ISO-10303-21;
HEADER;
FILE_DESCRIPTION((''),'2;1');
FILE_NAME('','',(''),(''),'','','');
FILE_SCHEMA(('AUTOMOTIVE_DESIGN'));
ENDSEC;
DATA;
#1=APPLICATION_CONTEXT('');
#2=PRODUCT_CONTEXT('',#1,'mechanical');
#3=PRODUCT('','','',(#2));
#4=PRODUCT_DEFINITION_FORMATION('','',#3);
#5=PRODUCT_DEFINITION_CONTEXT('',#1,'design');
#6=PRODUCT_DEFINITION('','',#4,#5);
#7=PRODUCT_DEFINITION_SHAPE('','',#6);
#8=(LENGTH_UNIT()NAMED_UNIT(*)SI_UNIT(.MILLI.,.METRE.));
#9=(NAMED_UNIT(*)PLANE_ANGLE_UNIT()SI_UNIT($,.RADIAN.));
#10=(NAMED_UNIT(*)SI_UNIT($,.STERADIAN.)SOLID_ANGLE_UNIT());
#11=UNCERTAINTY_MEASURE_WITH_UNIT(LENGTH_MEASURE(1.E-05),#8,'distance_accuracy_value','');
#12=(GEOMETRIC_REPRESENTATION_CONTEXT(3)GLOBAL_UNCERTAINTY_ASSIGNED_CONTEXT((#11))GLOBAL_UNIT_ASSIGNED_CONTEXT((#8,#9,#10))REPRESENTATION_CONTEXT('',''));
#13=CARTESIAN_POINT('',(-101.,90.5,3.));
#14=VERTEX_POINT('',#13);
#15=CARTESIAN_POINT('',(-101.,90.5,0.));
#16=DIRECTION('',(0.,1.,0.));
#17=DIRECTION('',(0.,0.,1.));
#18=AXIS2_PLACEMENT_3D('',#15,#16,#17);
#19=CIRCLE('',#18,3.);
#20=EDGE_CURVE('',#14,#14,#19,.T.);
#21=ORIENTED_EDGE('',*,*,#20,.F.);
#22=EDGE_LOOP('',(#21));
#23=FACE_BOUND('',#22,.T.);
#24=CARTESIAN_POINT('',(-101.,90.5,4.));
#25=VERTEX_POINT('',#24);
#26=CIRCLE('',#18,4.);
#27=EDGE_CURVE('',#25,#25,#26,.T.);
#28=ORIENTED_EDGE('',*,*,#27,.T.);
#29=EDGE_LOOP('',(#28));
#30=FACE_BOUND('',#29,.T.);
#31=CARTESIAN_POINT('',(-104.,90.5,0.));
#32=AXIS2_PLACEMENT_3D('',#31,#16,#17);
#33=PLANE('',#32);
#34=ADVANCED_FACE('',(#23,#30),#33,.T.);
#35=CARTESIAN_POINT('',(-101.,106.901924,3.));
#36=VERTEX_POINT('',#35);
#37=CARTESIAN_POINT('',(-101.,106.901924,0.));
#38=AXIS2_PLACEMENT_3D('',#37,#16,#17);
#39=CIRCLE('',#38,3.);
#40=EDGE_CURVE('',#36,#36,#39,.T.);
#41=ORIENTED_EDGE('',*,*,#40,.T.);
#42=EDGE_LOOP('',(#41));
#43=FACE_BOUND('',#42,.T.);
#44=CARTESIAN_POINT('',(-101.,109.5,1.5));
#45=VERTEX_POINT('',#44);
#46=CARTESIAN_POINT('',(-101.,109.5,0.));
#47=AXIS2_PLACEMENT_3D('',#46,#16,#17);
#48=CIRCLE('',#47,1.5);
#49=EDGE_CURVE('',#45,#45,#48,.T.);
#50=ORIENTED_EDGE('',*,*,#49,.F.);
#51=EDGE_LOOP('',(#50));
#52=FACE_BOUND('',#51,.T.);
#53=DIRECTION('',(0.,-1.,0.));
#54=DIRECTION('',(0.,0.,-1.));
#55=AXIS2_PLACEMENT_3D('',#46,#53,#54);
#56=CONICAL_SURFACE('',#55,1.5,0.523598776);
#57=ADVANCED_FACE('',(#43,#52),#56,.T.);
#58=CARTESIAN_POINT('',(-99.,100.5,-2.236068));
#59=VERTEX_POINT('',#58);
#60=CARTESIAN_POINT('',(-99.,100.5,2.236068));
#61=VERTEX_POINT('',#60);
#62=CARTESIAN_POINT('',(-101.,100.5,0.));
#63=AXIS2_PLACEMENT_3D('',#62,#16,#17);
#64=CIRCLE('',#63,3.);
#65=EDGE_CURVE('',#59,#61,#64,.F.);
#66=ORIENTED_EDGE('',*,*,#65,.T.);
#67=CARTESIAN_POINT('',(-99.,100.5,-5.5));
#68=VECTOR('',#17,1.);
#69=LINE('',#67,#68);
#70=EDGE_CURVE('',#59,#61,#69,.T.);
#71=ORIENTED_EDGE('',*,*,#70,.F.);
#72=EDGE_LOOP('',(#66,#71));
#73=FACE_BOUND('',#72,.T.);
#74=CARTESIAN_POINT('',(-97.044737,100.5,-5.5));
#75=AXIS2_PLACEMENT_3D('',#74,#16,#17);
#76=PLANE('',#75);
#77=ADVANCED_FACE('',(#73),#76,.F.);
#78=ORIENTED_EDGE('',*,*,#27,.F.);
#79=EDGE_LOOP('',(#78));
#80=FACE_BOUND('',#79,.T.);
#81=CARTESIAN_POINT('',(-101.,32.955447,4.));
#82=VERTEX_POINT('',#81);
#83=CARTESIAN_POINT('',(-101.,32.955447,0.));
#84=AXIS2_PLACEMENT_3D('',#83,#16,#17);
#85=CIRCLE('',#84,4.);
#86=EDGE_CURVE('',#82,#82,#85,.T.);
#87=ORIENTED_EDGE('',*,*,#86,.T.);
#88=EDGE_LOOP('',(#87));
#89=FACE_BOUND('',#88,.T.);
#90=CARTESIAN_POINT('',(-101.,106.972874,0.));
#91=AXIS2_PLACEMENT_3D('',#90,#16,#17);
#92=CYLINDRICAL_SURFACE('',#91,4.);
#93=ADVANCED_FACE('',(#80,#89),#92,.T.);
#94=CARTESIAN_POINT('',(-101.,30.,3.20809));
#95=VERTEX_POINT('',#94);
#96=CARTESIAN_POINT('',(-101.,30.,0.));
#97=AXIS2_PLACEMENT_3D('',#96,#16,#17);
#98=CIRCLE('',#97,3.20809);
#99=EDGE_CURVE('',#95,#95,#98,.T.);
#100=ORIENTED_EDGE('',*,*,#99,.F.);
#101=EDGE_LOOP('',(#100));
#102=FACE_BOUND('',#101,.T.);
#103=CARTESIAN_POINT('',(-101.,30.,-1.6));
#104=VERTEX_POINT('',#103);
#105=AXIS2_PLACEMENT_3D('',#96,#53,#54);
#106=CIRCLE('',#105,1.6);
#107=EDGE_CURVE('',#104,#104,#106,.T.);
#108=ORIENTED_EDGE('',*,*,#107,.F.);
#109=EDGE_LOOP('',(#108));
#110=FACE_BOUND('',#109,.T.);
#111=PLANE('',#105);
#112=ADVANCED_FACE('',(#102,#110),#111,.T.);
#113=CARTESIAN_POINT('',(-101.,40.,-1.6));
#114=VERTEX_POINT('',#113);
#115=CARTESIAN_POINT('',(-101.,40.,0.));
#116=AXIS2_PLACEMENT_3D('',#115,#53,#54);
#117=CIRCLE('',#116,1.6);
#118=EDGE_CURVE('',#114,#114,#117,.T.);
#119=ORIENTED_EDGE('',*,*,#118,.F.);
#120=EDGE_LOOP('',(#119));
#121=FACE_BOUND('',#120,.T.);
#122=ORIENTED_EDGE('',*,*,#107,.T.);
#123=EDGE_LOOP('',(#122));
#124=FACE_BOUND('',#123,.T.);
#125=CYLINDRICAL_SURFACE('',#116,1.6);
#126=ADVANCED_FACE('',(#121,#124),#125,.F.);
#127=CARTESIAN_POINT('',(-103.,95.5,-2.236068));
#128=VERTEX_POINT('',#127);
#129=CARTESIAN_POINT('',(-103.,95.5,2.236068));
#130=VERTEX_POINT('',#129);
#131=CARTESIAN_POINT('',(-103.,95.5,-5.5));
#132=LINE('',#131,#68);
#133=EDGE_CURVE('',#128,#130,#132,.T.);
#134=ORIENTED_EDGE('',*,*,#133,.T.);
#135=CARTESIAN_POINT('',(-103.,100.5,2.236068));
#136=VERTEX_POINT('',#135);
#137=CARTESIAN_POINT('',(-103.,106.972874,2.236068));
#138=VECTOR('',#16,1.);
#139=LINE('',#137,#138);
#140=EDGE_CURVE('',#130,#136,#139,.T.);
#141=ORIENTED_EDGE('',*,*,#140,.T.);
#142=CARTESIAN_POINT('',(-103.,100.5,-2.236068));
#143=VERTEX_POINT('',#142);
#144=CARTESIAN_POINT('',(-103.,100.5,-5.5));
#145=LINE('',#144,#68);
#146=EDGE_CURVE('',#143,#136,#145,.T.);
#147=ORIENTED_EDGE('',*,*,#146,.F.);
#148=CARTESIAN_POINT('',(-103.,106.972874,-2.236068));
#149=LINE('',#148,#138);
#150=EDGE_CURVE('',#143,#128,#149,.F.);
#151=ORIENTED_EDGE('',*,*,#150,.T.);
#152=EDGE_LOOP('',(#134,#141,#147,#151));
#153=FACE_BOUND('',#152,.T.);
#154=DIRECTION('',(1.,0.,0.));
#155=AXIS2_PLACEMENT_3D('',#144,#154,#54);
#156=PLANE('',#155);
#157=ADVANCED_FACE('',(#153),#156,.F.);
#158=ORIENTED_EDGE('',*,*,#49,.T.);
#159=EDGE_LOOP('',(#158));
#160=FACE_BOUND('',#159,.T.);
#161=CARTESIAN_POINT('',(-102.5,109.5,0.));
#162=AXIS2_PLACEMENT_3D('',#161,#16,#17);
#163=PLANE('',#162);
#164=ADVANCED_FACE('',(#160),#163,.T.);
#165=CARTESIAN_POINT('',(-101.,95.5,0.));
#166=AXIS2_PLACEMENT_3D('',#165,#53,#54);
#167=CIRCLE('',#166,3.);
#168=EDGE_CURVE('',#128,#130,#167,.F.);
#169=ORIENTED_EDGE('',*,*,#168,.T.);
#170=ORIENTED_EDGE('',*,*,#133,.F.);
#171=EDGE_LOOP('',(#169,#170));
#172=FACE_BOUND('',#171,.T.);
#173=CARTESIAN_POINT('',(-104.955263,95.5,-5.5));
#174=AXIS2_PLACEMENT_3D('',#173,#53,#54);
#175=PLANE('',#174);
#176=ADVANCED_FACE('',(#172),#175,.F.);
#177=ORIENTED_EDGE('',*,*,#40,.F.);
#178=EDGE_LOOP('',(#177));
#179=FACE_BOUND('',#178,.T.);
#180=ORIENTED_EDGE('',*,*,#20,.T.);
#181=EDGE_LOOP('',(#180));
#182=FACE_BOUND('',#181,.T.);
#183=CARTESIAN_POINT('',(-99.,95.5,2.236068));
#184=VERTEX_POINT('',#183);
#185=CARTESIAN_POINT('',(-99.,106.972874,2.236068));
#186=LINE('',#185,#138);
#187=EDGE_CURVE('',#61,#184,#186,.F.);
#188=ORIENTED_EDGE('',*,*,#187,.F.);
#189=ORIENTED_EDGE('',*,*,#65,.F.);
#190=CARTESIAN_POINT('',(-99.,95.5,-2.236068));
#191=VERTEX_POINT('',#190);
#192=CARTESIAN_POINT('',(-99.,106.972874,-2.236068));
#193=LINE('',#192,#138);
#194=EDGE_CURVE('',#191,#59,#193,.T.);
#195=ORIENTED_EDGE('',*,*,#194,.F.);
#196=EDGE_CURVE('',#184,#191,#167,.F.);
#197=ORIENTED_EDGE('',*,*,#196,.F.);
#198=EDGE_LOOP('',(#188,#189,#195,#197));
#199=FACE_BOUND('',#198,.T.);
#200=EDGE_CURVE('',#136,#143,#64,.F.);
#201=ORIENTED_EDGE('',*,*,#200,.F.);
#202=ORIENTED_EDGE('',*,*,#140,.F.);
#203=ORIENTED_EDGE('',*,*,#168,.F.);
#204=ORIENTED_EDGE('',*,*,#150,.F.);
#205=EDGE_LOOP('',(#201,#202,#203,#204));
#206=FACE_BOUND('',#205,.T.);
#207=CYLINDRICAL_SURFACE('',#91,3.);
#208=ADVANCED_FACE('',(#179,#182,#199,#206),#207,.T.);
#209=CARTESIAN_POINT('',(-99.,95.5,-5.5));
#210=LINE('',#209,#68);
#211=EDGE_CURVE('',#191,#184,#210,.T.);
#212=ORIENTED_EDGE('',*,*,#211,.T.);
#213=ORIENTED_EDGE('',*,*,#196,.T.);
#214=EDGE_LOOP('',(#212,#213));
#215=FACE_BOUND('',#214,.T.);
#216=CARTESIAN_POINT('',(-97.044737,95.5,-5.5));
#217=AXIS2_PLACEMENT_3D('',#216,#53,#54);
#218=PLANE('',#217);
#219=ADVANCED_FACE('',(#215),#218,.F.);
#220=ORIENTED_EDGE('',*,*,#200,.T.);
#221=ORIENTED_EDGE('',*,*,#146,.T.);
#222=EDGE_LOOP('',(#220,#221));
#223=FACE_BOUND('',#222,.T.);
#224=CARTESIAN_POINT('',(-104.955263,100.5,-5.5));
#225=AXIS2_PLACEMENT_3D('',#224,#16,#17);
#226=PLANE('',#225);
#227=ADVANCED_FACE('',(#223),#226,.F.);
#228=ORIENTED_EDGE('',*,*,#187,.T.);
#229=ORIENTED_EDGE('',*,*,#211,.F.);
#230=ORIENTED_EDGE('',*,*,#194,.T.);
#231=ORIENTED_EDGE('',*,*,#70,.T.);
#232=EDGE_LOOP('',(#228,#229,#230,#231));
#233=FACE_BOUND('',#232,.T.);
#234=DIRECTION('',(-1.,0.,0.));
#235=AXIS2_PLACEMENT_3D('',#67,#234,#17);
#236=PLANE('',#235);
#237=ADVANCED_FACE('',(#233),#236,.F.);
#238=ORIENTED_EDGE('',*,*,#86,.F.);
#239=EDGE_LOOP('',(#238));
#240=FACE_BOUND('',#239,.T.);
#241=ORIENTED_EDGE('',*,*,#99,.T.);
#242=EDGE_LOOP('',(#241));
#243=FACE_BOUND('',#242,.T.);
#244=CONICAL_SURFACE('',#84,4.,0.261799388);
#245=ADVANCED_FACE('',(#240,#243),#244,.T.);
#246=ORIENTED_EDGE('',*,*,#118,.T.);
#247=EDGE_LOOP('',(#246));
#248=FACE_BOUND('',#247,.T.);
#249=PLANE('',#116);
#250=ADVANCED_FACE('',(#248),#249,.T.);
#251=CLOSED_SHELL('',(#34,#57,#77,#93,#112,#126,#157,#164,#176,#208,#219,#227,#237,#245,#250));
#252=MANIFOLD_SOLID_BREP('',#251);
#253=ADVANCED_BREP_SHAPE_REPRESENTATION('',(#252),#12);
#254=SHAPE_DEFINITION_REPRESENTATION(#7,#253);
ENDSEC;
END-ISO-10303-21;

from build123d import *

# Parameters (mm, degrees)
ESQUISSE3_R             = 1.6
ENL_V_MAT_EXTRU_1_DEPTH = 10
ESQUISSE5_W             = 1.955262846
ESQUISSE5_H             = 5
ENL_V_MAT_EXTRU_3_DEPTH = 5.5


with BuildPart() as part:
    # Esquisse1 → Révolution1 (revolve)
    with BuildSketch(Plane.XY, mode=Mode.PRIVATE) as r_volution1_sk:
        Polygon((-101, 30), (-104.208090323, 30), (-105, 32.955447149), (-105, 90.5), (-104, 90.5), (-104, 106.901923789), (-102.5, 109.5), (-101, 109.5), align=None)
    revolve(r_volution1_sk.sketch.rotate(Axis((-101, 106.972874386, 0), (0, -1, 0)), 270), axis=Axis((-101, 106.972874386, 0), (0, -1, 0)))

    # Esquisse3 → Enlèv. mat.-Extru.1 (cut)
    with BuildSketch(Plane.XZ.offset(-30)):
        with Locations(Location((-101, 0, 0), (0, 0, 270))):
            Circle(ESQUISSE3_R)
    extrude(amount=-ENL_V_MAT_EXTRU_1_DEPTH, mode=Mode.SUBTRACT)

    # Esquisse5 → Enlèv. mat.-Extru.3 (cut, symmetric)
    with BuildSketch(Plane.XY):
        with Locations((-103.977631423, 98)):
            Rectangle(ESQUISSE5_W, ESQUISSE5_H)
        with Locations((-98.022368577, 98)):
            Rectangle(ESQUISSE5_W, ESQUISSE5_H)
    extrude(amount=ENL_V_MAT_EXTRU_3_DEPTH, both=True, mode=Mode.SUBTRACT)


solid = part.part
